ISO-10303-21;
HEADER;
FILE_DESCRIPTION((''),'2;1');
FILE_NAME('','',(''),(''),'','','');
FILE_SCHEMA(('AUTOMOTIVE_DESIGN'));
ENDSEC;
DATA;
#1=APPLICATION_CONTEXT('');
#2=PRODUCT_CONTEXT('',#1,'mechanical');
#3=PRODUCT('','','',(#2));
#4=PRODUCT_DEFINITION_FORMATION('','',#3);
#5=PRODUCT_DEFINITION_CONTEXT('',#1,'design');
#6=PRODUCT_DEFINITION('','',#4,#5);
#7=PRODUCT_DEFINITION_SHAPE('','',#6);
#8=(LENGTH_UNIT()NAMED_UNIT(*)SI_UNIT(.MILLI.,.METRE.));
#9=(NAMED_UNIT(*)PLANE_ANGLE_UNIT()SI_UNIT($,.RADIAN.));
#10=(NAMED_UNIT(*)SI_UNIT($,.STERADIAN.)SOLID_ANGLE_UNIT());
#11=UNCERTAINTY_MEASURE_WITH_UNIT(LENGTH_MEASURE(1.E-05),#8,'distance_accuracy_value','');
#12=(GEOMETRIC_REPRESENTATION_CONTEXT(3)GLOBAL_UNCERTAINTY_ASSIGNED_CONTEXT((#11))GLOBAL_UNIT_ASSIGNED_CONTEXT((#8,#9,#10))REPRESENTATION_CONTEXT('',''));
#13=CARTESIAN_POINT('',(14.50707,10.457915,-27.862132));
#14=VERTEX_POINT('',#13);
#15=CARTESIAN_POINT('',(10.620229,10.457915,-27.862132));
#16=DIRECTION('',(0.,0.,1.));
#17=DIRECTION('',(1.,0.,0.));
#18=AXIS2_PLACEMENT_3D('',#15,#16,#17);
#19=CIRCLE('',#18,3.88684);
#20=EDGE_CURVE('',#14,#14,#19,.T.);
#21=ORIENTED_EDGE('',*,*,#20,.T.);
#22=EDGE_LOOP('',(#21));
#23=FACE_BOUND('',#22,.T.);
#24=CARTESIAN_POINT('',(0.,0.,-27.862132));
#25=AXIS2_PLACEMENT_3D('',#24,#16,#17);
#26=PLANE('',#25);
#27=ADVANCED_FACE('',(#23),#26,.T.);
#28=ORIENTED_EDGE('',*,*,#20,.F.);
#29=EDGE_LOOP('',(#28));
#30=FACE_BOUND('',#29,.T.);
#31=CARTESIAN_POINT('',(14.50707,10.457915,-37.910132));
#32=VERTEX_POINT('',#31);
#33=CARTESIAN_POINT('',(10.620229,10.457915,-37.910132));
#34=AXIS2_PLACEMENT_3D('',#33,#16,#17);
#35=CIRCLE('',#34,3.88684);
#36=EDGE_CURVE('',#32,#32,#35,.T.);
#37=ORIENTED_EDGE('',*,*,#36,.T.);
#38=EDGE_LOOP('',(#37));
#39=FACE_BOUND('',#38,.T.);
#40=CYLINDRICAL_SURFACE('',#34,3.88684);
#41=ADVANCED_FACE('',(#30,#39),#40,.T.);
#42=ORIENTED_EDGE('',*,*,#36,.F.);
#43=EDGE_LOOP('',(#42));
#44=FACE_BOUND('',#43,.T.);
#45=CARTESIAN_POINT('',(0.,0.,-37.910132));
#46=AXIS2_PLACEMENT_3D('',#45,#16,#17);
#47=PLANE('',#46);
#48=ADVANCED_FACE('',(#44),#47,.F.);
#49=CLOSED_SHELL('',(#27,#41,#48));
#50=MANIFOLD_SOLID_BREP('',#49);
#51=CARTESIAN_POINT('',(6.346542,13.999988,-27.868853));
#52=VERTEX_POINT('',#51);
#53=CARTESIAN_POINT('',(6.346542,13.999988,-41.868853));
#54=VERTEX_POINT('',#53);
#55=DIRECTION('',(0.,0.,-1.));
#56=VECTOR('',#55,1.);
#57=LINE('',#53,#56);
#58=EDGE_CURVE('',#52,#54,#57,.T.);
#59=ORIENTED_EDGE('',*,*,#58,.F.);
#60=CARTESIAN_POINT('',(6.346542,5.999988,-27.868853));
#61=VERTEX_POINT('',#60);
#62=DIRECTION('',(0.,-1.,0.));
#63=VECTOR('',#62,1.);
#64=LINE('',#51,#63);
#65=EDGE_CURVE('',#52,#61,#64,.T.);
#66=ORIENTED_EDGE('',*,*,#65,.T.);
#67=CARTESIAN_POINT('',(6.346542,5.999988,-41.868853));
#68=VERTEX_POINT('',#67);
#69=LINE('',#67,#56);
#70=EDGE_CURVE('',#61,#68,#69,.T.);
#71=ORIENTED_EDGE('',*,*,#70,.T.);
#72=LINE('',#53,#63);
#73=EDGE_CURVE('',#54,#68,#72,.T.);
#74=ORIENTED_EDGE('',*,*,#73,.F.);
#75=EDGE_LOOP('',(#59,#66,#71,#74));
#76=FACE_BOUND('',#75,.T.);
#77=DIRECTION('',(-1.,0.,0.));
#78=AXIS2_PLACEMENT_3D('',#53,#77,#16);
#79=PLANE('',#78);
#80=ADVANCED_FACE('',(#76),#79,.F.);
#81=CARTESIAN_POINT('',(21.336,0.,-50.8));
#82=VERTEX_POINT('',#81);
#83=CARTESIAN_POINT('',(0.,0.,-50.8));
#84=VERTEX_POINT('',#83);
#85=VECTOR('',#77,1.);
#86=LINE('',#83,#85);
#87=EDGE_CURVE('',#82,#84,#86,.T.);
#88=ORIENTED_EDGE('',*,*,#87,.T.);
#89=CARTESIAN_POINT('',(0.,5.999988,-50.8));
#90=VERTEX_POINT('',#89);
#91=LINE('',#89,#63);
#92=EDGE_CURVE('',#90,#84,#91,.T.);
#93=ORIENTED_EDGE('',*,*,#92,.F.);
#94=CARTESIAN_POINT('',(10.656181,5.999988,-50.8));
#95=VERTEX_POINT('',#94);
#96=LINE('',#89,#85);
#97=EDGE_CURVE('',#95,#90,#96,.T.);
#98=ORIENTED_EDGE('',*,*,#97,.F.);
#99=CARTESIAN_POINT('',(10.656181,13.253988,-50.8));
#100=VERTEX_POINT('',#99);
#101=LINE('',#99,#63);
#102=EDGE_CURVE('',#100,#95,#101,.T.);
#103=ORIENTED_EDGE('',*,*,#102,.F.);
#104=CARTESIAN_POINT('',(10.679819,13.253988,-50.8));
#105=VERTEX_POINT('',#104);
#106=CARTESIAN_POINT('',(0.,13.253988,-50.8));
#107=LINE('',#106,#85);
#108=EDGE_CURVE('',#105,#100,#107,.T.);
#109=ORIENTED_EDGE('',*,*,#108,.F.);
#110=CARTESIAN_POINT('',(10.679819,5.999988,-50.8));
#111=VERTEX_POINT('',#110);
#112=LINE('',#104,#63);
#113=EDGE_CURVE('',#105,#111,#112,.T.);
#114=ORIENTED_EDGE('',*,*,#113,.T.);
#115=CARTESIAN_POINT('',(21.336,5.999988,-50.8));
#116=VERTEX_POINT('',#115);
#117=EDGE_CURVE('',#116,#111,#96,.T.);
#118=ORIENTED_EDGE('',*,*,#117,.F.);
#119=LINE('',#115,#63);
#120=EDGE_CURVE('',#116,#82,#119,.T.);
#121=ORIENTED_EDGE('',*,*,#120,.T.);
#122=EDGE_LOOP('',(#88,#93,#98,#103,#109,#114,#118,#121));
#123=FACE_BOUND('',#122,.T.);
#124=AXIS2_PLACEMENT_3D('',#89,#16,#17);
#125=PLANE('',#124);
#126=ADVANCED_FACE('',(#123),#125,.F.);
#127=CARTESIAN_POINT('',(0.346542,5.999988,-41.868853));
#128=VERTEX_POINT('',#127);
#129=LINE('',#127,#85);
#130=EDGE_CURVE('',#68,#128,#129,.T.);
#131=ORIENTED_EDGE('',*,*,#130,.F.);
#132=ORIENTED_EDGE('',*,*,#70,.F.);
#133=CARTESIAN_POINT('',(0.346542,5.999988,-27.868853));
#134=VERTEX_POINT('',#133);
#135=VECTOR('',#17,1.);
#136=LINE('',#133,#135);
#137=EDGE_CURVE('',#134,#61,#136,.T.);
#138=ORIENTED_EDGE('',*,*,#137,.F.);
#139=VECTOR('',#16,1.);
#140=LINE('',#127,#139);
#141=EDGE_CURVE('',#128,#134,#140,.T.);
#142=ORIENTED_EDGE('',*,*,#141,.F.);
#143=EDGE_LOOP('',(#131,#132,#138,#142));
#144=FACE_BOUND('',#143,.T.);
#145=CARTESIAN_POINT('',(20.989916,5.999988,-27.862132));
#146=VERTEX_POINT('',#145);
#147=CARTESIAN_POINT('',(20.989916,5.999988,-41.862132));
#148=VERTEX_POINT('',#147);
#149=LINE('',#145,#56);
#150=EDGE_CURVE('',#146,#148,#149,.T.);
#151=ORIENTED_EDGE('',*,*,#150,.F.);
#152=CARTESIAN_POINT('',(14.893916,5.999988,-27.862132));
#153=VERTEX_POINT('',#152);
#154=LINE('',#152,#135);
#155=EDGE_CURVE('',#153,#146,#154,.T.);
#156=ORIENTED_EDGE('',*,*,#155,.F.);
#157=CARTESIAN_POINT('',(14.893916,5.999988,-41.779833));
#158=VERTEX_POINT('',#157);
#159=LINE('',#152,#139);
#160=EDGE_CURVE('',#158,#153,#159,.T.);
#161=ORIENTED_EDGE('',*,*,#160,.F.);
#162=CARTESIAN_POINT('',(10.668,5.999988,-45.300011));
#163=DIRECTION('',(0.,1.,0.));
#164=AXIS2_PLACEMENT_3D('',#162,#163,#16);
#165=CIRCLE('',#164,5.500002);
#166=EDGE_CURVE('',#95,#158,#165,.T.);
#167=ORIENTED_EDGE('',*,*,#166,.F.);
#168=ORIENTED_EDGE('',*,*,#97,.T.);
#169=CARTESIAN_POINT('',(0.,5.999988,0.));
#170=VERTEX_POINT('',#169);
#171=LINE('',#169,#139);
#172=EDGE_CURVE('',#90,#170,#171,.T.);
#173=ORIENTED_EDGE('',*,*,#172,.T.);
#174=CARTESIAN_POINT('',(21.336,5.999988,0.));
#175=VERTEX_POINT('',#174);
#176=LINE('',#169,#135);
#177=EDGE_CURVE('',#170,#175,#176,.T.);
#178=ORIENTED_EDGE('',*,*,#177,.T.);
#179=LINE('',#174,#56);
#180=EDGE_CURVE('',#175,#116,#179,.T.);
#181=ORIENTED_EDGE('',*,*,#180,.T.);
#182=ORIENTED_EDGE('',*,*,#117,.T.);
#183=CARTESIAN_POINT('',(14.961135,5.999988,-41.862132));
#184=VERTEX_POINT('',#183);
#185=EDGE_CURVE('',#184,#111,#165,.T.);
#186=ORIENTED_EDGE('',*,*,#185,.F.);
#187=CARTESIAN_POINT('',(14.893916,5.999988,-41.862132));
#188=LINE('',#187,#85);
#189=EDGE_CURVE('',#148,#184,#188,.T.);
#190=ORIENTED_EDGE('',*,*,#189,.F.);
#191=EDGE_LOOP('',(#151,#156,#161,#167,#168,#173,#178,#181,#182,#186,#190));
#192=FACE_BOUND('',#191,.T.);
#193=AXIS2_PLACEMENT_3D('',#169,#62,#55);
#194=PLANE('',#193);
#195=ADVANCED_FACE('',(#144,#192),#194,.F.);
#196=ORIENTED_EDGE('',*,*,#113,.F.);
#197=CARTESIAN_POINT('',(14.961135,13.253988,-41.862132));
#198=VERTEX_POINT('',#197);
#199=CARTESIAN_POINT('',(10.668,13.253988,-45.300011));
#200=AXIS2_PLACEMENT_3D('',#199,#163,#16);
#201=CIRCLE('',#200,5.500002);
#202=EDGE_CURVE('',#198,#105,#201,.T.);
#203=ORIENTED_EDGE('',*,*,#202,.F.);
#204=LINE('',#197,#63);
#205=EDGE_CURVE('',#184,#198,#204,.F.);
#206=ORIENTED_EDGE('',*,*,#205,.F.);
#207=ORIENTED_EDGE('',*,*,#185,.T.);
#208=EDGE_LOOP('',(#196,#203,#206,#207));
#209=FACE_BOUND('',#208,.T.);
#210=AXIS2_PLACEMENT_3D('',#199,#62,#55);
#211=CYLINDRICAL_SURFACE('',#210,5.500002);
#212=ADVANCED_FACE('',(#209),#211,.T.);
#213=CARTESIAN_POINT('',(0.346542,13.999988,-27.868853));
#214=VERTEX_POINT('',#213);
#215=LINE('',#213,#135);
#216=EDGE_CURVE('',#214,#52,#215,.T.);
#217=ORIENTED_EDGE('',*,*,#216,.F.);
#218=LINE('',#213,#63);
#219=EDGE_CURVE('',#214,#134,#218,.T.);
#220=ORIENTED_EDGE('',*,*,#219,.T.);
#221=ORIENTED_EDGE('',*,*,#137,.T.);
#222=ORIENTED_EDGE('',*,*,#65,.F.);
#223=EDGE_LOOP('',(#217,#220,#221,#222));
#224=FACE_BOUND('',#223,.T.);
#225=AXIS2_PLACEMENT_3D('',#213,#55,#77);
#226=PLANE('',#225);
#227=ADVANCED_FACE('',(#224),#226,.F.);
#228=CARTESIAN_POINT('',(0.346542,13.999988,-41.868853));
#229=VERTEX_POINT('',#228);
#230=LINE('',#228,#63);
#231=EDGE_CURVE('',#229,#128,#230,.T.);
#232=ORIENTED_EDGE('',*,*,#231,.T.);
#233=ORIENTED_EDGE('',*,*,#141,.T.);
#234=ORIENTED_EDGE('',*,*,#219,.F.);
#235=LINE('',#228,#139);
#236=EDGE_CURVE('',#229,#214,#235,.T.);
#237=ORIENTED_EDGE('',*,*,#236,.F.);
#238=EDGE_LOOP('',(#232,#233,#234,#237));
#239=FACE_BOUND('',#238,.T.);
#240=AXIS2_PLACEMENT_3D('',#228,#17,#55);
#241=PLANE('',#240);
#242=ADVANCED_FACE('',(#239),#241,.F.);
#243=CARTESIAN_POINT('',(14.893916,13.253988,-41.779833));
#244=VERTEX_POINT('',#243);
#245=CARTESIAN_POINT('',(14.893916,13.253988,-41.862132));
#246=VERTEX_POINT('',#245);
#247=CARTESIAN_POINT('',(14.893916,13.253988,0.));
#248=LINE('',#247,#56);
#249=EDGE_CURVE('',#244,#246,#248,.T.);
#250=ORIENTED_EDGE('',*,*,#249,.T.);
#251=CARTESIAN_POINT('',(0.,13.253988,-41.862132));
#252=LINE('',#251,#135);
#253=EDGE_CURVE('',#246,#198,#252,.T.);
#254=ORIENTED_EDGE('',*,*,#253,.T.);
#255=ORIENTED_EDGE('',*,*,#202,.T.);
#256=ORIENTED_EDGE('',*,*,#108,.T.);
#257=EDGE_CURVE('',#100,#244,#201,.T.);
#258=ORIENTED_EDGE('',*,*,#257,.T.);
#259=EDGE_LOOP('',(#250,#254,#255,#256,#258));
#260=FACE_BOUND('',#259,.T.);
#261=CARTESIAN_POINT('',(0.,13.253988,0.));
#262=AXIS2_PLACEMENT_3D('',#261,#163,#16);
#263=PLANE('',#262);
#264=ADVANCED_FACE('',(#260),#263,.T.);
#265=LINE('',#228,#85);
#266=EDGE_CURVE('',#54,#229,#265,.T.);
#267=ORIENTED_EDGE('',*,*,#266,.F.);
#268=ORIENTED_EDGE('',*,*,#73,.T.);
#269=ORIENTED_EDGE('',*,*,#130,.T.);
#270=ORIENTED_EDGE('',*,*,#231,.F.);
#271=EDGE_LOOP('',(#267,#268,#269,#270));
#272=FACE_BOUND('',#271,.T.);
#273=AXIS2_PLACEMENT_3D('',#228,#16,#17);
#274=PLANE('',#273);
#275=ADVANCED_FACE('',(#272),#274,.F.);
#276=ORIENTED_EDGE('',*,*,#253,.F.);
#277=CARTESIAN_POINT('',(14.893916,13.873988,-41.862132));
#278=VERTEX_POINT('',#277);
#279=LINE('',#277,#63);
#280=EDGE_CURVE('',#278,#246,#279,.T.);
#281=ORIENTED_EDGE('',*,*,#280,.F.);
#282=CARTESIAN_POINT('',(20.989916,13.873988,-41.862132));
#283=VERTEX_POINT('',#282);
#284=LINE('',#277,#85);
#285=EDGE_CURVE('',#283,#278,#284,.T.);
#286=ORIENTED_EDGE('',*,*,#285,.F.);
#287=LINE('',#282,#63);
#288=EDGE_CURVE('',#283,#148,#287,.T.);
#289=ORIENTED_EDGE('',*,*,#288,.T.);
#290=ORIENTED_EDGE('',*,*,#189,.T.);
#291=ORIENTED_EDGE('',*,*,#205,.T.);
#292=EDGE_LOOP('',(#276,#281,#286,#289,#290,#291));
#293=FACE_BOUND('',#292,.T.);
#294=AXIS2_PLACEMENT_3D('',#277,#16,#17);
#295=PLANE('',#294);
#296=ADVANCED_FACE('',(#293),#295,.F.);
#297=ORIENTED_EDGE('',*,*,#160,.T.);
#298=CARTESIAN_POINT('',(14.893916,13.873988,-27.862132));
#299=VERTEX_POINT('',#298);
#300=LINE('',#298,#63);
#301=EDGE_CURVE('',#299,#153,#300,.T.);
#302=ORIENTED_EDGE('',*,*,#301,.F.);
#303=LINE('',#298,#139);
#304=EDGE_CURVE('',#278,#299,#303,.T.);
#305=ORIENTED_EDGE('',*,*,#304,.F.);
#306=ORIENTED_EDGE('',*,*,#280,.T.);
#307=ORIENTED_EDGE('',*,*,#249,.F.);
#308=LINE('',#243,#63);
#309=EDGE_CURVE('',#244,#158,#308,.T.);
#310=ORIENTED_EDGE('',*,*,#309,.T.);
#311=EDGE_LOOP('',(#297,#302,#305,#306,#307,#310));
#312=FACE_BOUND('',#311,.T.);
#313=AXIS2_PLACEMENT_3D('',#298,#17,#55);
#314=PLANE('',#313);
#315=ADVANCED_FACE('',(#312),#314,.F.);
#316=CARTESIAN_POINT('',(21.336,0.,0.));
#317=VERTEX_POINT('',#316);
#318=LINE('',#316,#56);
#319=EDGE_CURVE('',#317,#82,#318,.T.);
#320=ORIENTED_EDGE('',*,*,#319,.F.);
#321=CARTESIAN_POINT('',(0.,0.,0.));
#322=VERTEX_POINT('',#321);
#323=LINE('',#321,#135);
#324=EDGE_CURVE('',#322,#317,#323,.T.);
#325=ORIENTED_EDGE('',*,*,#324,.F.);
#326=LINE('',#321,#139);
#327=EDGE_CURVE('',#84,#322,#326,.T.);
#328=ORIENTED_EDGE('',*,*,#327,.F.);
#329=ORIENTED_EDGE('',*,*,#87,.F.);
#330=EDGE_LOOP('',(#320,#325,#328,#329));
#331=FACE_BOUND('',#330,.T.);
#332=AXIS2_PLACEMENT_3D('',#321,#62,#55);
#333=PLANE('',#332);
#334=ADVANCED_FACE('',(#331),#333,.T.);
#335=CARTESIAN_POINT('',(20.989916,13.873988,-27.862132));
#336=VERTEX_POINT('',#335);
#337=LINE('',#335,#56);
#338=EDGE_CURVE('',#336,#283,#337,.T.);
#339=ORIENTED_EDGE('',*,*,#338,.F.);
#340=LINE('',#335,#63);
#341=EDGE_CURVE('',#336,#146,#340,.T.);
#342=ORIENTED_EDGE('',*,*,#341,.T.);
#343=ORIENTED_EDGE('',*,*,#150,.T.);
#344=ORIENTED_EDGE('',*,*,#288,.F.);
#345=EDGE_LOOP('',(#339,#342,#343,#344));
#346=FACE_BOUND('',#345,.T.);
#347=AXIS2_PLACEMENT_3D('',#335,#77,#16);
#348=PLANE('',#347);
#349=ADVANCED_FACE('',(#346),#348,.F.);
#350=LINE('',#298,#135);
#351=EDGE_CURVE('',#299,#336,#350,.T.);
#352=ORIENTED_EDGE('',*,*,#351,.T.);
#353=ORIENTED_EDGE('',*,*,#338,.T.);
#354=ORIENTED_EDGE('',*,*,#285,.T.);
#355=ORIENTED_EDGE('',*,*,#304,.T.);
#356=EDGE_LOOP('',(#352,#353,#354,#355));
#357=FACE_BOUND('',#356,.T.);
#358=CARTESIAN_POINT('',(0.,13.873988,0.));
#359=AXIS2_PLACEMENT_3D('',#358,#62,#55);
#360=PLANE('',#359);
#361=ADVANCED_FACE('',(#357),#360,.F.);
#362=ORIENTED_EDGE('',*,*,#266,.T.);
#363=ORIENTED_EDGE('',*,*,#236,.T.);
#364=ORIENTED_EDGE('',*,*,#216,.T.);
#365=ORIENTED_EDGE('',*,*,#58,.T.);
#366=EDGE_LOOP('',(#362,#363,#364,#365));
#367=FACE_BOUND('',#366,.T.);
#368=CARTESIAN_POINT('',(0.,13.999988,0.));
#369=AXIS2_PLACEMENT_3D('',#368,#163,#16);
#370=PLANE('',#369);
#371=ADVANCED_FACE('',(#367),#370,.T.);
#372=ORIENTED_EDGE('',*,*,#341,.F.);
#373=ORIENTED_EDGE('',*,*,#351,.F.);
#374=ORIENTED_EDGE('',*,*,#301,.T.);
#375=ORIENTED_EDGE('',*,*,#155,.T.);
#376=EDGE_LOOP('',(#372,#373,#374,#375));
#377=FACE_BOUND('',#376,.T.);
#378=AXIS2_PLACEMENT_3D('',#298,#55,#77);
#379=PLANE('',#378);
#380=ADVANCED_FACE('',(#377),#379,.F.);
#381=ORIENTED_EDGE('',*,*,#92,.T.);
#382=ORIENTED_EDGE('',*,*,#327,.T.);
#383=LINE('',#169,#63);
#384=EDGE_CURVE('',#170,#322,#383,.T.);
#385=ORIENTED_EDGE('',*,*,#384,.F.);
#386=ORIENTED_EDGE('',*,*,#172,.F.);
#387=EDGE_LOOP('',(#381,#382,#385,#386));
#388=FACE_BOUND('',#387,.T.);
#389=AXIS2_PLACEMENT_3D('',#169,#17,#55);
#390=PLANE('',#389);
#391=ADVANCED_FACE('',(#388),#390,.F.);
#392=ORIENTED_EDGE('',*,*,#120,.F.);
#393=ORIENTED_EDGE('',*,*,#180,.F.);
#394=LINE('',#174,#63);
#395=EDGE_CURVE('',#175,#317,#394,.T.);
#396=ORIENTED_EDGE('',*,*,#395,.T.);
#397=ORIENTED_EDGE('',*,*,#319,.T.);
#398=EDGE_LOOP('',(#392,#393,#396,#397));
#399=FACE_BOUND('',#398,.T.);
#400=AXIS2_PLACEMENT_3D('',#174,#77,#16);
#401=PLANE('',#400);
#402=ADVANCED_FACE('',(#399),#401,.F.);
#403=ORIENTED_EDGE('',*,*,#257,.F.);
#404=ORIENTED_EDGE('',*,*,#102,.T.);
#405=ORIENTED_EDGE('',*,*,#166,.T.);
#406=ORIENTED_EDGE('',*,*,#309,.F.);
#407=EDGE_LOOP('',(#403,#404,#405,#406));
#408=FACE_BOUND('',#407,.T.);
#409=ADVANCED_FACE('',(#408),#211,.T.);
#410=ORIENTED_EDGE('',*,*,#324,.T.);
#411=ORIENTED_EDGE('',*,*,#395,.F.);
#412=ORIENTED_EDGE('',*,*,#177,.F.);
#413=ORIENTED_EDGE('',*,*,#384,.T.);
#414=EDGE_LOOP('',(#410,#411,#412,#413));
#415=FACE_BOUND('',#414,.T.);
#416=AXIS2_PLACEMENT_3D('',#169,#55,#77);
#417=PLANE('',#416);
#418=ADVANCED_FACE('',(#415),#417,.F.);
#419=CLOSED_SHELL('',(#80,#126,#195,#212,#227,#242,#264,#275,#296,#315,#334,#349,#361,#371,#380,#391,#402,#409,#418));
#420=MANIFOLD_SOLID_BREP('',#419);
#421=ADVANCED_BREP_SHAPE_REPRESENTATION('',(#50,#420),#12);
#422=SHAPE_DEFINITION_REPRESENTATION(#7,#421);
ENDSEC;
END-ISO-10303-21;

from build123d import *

# Parameters (mm, degrees)
SKETCH1_W           = 21.336
SKETCH1_H           = 50.8
BOSS_EXTRUDE1_DEPTH = 5.999988
SKETCH4_R           = 5.5000017
BOSS_EXTRUDE4_DEPTH = 7.254
SKETCH5_W           = 6
SKETCH5_H           = 14
BOSS_EXTRUDE5_DEPTH = 8
SKETCH8_W           = 6.096
SKETCH8_H           = 14
BOSS_EXTRUDE6_DEPTH = 7.874
SKETCH12_R          = 3.886840465
BOSS_EXTRUDE8_DEPTH = 10.048


with BuildPart() as part:
    # Sketch1 → Boss-Extrude1 (new body)
    with BuildSketch(Plane(origin=(0, 0, 0), x_dir=(1, 0, 0), z_dir=(0, 1, 0))):
        with Locations((10.668, 25.4)):
            Rectangle(SKETCH1_W, SKETCH1_H)
    extrude(amount=BOSS_EXTRUDE1_DEPTH)



with BuildPart() as body_2:
    # Sketch4 → Boss-Extrude4 (new body)
    with BuildSketch(Plane(origin=(0, 5.999988, 0), x_dir=(1, 0, 0), z_dir=(0, 1, 0))):
        with Locations((10.668, 45.300011)):
            Circle(SKETCH4_R)
    extrude(amount=BOSS_EXTRUDE4_DEPTH)


with BuildPart() as part_1:
    add(part.part)

    add(body_2.part)  # Boss-Extrude5 merges body 2
    # Sketch5 → Boss-Extrude5 (add)
    with BuildSketch(Plane(origin=(0, 5.999988, 0), x_dir=(1, 0, 0), z_dir=(0, 1, 0))):
        with Locations((3.34654218, 34.868853019)):
            Rectangle(SKETCH5_W, SKETCH5_H)
    extrude(amount=BOSS_EXTRUDE5_DEPTH)

    # Sketch8 → Boss-Extrude6 (add)
    with BuildSketch(Plane(origin=(0, 5.999988, 0), x_dir=(1, 0, 0), z_dir=(0, 1, 0))):
        with Locations((17.941915959, 34.862132364)):
            Rectangle(SKETCH8_W, SKETCH8_H)
    extrude(amount=BOSS_EXTRUDE6_DEPTH)


with BuildPart() as body_2_2:
    # Sketch12 → Boss-Extrude8 (new body)
    with BuildSketch(Plane.XY.offset(-27.862132364)):
        with Locations((10.62022907, 10.457914519)):
            Circle(SKETCH12_R)
    extrude(amount=-BOSS_EXTRUDE8_DEPTH)


solid = Compound([part_1.part, body_2_2.part])
